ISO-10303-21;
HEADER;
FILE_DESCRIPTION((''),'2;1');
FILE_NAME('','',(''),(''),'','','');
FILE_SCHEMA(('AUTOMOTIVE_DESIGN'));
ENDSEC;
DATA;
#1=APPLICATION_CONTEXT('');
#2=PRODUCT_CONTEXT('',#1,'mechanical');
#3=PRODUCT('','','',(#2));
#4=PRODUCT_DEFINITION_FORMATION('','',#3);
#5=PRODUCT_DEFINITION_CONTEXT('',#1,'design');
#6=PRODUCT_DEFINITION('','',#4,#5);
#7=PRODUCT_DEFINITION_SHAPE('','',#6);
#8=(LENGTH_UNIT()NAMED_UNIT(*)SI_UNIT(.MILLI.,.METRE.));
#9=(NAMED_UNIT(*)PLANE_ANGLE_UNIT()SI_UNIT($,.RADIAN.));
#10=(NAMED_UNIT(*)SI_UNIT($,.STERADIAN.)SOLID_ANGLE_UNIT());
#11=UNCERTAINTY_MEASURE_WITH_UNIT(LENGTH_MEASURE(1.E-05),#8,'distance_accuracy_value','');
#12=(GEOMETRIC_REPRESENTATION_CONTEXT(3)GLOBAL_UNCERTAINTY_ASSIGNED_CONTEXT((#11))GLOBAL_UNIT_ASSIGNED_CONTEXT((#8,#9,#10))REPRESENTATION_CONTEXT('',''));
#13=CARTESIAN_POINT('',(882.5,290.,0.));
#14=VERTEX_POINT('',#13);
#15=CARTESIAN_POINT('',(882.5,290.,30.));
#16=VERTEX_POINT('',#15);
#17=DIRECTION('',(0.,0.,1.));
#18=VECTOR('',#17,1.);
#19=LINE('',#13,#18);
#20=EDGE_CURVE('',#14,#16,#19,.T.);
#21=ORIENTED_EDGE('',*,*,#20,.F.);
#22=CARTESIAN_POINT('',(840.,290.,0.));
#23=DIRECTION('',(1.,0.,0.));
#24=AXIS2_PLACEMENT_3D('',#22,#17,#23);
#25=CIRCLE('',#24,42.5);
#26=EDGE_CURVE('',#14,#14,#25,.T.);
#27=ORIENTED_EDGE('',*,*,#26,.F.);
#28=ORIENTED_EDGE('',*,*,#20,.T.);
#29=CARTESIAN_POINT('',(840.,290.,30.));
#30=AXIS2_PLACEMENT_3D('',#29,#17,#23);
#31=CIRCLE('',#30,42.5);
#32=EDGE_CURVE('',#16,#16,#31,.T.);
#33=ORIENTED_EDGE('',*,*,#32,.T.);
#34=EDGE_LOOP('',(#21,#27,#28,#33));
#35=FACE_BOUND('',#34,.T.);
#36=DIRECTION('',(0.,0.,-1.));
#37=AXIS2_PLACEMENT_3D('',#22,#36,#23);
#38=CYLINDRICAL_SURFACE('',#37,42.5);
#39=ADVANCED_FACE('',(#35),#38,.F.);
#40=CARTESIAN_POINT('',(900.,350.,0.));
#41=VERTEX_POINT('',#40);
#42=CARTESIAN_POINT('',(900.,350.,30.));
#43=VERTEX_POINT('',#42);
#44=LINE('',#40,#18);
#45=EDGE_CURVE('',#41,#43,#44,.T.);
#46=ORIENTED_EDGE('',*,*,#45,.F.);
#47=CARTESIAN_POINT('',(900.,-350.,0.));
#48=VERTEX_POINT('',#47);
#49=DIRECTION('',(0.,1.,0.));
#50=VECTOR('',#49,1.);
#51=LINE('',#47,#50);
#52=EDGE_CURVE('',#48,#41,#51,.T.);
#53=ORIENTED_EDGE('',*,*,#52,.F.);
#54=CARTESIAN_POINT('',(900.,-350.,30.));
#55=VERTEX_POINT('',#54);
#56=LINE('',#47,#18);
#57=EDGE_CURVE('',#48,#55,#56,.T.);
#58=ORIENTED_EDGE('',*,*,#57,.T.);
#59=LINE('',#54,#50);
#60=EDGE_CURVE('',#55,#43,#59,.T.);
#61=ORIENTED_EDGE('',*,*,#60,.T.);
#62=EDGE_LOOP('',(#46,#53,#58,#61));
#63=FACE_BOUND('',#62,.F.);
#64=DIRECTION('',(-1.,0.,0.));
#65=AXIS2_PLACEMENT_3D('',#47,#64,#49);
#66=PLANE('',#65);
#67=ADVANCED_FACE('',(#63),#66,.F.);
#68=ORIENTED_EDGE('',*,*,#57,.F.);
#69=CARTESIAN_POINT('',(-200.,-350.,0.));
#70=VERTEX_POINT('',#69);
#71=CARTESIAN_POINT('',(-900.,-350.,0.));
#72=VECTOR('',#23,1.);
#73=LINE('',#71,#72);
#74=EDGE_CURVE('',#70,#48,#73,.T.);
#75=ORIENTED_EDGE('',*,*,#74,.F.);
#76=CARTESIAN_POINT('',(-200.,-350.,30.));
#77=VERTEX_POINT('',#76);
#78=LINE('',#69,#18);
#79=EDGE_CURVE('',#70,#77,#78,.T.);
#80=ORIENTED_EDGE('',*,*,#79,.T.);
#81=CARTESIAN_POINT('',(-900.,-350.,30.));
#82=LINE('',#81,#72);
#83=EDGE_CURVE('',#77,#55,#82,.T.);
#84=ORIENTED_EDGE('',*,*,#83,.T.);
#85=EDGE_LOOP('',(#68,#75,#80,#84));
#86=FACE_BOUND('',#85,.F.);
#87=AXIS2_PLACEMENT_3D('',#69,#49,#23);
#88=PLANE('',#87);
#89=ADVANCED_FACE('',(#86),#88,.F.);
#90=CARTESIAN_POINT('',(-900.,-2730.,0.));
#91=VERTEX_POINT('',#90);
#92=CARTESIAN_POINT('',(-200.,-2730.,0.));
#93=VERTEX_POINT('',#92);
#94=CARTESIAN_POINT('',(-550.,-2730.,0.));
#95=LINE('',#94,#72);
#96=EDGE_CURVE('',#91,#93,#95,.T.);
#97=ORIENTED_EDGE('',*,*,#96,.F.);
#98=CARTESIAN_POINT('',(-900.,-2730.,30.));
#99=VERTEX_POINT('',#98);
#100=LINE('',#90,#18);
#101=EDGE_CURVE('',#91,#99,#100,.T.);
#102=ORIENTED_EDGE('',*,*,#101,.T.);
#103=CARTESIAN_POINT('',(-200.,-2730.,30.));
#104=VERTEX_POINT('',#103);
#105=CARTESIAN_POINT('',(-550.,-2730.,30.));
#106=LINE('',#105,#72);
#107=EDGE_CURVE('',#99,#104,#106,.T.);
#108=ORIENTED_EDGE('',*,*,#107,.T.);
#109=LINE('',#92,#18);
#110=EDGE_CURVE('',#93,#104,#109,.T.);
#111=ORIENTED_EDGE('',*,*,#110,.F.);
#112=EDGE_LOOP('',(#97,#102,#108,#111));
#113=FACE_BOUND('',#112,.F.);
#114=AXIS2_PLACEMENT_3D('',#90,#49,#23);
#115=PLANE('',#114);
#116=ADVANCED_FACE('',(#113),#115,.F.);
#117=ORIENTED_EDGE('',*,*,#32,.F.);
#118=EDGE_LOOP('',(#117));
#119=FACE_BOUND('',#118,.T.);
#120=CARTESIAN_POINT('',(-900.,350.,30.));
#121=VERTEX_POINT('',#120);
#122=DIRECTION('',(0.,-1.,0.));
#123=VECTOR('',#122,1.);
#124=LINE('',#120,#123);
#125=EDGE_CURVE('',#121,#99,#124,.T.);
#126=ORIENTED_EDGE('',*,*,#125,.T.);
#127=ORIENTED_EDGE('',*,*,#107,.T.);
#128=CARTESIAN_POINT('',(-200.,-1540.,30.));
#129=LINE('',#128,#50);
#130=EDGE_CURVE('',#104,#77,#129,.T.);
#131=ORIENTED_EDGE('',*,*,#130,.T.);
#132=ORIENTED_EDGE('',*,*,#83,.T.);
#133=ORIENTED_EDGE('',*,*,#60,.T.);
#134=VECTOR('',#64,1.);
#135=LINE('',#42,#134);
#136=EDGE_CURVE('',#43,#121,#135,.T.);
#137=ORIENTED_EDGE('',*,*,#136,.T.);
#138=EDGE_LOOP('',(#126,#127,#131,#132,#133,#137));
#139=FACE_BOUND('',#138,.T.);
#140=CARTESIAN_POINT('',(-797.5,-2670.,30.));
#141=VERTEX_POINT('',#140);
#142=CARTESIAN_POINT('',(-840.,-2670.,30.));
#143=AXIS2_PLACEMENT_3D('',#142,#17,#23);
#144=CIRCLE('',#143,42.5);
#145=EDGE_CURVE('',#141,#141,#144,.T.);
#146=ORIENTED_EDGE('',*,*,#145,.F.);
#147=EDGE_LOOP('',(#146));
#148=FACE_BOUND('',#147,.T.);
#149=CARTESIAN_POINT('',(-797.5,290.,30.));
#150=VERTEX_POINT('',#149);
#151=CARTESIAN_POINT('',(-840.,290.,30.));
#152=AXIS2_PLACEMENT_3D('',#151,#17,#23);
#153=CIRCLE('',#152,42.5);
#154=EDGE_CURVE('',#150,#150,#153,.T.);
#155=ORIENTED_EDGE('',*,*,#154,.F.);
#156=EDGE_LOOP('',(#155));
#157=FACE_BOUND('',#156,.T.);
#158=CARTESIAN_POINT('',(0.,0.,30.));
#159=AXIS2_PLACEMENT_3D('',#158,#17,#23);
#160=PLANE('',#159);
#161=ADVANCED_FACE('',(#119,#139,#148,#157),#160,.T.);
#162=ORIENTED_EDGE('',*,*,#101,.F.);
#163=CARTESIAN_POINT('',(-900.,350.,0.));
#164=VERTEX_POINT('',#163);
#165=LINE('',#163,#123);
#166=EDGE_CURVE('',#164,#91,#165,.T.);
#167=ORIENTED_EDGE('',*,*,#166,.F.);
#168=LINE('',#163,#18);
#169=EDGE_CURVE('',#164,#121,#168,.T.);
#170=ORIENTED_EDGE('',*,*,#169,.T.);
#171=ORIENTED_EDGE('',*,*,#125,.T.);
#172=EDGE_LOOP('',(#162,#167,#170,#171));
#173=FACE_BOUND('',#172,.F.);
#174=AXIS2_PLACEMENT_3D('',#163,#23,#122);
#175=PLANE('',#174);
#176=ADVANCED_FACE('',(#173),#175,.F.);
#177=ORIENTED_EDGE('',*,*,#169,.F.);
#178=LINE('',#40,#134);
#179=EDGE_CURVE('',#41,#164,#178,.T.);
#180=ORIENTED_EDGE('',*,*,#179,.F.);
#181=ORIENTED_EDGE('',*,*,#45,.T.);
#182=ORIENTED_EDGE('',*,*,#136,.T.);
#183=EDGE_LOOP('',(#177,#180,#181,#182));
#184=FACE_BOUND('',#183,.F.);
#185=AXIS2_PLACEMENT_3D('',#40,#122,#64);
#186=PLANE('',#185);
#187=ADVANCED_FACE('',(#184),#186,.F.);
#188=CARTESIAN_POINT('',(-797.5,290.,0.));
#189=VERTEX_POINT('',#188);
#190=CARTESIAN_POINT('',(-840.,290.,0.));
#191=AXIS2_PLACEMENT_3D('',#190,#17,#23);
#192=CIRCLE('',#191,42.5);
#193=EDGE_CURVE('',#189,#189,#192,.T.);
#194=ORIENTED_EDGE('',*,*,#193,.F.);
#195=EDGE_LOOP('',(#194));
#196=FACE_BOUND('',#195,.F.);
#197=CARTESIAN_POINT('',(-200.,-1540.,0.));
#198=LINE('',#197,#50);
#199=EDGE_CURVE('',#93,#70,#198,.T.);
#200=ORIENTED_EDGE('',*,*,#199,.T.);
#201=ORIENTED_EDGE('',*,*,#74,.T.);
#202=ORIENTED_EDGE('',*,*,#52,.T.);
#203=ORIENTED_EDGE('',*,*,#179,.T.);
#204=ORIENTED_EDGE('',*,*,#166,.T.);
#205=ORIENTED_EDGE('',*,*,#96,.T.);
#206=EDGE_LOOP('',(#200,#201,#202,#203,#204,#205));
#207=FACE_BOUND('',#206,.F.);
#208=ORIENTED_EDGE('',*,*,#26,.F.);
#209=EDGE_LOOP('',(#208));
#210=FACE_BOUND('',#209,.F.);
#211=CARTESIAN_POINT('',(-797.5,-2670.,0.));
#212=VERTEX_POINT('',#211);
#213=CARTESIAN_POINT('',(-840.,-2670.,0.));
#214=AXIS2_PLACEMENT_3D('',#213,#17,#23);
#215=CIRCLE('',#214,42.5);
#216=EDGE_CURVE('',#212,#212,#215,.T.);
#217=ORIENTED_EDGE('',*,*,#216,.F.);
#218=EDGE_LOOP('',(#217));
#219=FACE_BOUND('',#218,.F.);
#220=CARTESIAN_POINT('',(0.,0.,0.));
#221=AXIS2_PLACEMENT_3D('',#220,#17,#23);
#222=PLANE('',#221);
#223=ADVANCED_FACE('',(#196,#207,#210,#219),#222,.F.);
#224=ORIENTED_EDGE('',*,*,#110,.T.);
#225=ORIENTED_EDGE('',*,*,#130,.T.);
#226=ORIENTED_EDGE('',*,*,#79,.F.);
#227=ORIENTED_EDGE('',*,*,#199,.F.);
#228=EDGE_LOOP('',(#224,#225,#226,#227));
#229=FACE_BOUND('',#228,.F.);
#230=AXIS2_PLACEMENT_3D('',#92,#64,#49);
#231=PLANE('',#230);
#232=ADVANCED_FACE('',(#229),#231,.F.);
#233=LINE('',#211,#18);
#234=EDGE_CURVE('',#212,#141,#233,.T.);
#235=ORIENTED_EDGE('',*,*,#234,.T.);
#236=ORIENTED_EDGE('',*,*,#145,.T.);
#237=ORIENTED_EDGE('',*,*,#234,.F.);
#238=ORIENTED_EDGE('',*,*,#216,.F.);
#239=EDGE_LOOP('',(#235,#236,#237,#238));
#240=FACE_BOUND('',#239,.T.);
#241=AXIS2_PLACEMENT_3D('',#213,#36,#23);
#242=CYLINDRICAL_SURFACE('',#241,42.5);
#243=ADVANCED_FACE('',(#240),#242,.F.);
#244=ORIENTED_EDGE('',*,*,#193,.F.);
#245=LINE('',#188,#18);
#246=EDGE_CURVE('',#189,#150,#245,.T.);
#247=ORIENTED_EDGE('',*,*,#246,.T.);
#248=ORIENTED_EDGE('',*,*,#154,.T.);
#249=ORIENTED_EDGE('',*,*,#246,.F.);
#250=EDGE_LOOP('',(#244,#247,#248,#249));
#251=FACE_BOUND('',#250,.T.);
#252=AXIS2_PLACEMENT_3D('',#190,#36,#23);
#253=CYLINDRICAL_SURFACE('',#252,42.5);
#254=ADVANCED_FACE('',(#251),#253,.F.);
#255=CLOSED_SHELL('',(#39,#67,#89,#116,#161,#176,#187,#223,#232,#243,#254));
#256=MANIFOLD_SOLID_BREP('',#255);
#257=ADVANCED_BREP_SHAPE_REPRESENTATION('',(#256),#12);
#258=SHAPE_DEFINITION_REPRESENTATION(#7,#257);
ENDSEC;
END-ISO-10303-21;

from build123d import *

# Parameters (mm, degrees)
F0_R     = 42.5
F0_W     = 700
F0_H     = 2380
F1_DEPTH = 30


with BuildPart() as f1:
    # F0 (on Top) → F1 (new body)
    with BuildSketch(Plane.XY):
        Polygon((900, -350), (900, 350), (-900, 350), (-900, -350), (-200, -350), align=None)
        with Locations((-840, 290)):
            Circle(F0_R, mode=Mode.SUBTRACT)
        with Locations((840, 290)):
            Circle(F0_R, mode=Mode.SUBTRACT)
        with Locations((-550, -1540)):
            Rectangle(F0_W, F0_H)
        with Locations((-840, -2670)):
            Circle(F0_R, mode=Mode.SUBTRACT)
    extrude(amount=F1_DEPTH)


solid = f1.part
